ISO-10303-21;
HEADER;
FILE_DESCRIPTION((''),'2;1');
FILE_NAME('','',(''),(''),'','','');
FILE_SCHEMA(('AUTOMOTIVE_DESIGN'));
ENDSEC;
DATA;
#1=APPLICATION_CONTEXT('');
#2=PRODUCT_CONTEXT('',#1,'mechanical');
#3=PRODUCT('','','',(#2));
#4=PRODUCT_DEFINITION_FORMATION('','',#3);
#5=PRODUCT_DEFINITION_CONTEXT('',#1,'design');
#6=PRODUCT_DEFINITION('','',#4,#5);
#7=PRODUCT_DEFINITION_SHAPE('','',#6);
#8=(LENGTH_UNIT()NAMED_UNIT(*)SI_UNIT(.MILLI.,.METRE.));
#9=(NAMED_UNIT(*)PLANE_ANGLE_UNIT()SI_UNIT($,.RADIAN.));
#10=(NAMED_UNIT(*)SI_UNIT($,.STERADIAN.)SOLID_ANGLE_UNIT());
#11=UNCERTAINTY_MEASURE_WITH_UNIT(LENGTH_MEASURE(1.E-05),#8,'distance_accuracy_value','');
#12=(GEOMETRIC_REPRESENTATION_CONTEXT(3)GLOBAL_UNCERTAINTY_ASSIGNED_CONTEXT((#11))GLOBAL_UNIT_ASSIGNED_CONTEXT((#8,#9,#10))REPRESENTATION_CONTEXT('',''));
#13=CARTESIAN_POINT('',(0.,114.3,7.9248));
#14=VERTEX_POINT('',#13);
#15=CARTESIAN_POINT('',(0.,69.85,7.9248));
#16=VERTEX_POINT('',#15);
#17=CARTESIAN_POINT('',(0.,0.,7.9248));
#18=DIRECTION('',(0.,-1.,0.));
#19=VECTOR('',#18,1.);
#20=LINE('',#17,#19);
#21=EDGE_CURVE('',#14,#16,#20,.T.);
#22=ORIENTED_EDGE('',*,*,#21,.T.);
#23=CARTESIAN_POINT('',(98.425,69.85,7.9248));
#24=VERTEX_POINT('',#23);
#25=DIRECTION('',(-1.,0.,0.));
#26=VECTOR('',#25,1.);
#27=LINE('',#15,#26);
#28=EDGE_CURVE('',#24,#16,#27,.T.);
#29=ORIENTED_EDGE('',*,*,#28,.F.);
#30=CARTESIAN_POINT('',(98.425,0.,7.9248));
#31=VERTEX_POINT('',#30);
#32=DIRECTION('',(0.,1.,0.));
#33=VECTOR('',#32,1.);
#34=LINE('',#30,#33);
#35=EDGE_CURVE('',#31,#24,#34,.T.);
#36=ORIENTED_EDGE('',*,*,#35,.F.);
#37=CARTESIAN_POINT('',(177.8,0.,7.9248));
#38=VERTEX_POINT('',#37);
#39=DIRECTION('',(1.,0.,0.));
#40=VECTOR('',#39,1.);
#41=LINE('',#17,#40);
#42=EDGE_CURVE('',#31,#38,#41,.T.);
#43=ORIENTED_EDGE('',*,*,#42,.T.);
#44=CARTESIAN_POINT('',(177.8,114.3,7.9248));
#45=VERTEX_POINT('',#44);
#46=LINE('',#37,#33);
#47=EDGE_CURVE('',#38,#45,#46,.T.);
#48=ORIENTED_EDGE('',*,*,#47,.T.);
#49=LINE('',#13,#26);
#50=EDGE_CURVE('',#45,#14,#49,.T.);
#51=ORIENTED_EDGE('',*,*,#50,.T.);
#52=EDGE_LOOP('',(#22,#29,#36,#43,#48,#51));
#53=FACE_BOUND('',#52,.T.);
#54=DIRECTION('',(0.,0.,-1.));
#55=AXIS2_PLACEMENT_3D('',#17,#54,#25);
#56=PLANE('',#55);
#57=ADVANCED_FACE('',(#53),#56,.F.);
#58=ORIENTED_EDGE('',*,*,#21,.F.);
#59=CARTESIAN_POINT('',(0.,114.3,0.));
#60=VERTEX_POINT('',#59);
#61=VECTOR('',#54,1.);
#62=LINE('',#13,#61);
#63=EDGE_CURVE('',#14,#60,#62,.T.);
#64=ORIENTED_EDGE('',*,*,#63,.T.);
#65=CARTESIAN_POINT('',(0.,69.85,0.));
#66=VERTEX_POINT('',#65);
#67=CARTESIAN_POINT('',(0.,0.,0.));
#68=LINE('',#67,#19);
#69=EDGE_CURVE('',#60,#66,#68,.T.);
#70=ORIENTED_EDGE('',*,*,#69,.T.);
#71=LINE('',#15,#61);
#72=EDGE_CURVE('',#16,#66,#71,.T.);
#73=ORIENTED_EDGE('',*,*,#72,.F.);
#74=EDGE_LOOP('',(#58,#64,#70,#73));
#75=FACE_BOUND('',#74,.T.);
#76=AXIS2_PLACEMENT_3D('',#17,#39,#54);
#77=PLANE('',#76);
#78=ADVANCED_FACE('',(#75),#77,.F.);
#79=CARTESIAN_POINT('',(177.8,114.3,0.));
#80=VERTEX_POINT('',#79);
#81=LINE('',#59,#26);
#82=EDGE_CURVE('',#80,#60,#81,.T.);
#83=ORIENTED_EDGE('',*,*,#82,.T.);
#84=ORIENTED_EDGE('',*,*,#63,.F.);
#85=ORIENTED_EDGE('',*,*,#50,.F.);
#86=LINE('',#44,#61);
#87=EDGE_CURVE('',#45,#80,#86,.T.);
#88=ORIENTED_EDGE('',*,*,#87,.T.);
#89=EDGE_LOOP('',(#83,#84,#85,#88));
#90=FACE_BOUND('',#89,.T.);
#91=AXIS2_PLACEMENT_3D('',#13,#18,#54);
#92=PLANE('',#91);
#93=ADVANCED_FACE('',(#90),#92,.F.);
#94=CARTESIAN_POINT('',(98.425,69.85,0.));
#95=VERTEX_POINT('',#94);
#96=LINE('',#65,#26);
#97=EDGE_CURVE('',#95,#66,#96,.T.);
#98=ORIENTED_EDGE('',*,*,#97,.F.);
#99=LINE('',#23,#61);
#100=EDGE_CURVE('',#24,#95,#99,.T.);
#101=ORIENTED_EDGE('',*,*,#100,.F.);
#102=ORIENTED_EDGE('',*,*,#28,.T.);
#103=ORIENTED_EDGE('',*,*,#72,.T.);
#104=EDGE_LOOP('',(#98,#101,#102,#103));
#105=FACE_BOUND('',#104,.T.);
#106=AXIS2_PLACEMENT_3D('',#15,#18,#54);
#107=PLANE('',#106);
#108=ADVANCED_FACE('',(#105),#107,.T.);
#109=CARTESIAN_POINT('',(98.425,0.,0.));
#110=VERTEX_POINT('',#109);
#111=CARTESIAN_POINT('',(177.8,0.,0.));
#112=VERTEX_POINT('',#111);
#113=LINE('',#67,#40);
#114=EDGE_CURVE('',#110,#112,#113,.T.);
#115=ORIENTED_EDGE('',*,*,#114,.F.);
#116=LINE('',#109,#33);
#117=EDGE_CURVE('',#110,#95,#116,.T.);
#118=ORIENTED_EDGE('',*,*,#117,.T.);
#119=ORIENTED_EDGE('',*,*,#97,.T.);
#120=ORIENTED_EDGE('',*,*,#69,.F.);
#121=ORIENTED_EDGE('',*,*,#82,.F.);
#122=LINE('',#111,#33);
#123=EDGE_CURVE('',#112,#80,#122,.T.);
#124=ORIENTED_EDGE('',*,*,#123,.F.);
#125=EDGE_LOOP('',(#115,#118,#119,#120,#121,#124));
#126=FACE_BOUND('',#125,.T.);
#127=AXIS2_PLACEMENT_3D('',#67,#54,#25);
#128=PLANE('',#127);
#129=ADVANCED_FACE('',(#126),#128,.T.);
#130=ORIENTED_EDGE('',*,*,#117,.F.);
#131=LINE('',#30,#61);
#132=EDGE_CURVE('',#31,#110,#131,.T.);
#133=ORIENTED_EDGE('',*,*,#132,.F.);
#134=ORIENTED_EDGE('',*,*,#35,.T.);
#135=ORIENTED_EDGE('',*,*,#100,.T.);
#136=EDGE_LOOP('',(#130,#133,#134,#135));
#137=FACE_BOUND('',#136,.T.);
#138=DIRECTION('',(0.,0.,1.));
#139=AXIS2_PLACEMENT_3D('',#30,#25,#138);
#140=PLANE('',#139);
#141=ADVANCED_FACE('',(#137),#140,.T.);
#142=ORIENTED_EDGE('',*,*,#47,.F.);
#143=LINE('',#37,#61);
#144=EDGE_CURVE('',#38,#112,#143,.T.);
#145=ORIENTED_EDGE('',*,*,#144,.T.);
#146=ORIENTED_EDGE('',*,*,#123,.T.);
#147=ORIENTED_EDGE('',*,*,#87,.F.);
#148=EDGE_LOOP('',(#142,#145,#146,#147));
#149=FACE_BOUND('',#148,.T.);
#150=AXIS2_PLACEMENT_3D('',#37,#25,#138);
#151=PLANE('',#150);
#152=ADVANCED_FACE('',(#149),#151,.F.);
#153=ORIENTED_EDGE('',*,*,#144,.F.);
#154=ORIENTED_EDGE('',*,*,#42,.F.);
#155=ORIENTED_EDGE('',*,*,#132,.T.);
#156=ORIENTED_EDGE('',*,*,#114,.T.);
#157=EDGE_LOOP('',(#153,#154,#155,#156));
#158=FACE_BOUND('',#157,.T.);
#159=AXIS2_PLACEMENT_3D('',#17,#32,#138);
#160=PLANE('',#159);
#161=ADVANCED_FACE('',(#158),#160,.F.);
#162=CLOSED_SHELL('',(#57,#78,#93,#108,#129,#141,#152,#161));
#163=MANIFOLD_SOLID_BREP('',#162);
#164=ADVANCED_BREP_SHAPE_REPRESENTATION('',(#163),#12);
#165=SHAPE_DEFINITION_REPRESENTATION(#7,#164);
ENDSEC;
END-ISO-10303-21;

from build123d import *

# Parameters (mm, degrees)
SKETCH1_W           = 177.8
SKETCH1_H           = 114.3
BOSS_EXTRUDE1_DEPTH = 7.9248
SKETCH2_W           = 98.425
SKETCH2_H           = 69.85
CUT_EXTRUDE1_DEPTH  = 212.518633825


with BuildPart() as part:
    # Sketch1 → Boss-Extrude1 (new body)
    with BuildSketch(Plane.XY):
        with Locations((88.9, 57.15)):
            Rectangle(SKETCH1_W, SKETCH1_H)
    extrude(amount=BOSS_EXTRUDE1_DEPTH)

    # Sketch2 → Cut-Extrude1 (cut, through all)
    with BuildSketch(Plane.XY):
        with Locations((49.2125, 34.925)):
            Rectangle(SKETCH2_W, SKETCH2_H)
    extrude(amount=CUT_EXTRUDE1_DEPTH, mode=Mode.SUBTRACT)


solid = part.part
